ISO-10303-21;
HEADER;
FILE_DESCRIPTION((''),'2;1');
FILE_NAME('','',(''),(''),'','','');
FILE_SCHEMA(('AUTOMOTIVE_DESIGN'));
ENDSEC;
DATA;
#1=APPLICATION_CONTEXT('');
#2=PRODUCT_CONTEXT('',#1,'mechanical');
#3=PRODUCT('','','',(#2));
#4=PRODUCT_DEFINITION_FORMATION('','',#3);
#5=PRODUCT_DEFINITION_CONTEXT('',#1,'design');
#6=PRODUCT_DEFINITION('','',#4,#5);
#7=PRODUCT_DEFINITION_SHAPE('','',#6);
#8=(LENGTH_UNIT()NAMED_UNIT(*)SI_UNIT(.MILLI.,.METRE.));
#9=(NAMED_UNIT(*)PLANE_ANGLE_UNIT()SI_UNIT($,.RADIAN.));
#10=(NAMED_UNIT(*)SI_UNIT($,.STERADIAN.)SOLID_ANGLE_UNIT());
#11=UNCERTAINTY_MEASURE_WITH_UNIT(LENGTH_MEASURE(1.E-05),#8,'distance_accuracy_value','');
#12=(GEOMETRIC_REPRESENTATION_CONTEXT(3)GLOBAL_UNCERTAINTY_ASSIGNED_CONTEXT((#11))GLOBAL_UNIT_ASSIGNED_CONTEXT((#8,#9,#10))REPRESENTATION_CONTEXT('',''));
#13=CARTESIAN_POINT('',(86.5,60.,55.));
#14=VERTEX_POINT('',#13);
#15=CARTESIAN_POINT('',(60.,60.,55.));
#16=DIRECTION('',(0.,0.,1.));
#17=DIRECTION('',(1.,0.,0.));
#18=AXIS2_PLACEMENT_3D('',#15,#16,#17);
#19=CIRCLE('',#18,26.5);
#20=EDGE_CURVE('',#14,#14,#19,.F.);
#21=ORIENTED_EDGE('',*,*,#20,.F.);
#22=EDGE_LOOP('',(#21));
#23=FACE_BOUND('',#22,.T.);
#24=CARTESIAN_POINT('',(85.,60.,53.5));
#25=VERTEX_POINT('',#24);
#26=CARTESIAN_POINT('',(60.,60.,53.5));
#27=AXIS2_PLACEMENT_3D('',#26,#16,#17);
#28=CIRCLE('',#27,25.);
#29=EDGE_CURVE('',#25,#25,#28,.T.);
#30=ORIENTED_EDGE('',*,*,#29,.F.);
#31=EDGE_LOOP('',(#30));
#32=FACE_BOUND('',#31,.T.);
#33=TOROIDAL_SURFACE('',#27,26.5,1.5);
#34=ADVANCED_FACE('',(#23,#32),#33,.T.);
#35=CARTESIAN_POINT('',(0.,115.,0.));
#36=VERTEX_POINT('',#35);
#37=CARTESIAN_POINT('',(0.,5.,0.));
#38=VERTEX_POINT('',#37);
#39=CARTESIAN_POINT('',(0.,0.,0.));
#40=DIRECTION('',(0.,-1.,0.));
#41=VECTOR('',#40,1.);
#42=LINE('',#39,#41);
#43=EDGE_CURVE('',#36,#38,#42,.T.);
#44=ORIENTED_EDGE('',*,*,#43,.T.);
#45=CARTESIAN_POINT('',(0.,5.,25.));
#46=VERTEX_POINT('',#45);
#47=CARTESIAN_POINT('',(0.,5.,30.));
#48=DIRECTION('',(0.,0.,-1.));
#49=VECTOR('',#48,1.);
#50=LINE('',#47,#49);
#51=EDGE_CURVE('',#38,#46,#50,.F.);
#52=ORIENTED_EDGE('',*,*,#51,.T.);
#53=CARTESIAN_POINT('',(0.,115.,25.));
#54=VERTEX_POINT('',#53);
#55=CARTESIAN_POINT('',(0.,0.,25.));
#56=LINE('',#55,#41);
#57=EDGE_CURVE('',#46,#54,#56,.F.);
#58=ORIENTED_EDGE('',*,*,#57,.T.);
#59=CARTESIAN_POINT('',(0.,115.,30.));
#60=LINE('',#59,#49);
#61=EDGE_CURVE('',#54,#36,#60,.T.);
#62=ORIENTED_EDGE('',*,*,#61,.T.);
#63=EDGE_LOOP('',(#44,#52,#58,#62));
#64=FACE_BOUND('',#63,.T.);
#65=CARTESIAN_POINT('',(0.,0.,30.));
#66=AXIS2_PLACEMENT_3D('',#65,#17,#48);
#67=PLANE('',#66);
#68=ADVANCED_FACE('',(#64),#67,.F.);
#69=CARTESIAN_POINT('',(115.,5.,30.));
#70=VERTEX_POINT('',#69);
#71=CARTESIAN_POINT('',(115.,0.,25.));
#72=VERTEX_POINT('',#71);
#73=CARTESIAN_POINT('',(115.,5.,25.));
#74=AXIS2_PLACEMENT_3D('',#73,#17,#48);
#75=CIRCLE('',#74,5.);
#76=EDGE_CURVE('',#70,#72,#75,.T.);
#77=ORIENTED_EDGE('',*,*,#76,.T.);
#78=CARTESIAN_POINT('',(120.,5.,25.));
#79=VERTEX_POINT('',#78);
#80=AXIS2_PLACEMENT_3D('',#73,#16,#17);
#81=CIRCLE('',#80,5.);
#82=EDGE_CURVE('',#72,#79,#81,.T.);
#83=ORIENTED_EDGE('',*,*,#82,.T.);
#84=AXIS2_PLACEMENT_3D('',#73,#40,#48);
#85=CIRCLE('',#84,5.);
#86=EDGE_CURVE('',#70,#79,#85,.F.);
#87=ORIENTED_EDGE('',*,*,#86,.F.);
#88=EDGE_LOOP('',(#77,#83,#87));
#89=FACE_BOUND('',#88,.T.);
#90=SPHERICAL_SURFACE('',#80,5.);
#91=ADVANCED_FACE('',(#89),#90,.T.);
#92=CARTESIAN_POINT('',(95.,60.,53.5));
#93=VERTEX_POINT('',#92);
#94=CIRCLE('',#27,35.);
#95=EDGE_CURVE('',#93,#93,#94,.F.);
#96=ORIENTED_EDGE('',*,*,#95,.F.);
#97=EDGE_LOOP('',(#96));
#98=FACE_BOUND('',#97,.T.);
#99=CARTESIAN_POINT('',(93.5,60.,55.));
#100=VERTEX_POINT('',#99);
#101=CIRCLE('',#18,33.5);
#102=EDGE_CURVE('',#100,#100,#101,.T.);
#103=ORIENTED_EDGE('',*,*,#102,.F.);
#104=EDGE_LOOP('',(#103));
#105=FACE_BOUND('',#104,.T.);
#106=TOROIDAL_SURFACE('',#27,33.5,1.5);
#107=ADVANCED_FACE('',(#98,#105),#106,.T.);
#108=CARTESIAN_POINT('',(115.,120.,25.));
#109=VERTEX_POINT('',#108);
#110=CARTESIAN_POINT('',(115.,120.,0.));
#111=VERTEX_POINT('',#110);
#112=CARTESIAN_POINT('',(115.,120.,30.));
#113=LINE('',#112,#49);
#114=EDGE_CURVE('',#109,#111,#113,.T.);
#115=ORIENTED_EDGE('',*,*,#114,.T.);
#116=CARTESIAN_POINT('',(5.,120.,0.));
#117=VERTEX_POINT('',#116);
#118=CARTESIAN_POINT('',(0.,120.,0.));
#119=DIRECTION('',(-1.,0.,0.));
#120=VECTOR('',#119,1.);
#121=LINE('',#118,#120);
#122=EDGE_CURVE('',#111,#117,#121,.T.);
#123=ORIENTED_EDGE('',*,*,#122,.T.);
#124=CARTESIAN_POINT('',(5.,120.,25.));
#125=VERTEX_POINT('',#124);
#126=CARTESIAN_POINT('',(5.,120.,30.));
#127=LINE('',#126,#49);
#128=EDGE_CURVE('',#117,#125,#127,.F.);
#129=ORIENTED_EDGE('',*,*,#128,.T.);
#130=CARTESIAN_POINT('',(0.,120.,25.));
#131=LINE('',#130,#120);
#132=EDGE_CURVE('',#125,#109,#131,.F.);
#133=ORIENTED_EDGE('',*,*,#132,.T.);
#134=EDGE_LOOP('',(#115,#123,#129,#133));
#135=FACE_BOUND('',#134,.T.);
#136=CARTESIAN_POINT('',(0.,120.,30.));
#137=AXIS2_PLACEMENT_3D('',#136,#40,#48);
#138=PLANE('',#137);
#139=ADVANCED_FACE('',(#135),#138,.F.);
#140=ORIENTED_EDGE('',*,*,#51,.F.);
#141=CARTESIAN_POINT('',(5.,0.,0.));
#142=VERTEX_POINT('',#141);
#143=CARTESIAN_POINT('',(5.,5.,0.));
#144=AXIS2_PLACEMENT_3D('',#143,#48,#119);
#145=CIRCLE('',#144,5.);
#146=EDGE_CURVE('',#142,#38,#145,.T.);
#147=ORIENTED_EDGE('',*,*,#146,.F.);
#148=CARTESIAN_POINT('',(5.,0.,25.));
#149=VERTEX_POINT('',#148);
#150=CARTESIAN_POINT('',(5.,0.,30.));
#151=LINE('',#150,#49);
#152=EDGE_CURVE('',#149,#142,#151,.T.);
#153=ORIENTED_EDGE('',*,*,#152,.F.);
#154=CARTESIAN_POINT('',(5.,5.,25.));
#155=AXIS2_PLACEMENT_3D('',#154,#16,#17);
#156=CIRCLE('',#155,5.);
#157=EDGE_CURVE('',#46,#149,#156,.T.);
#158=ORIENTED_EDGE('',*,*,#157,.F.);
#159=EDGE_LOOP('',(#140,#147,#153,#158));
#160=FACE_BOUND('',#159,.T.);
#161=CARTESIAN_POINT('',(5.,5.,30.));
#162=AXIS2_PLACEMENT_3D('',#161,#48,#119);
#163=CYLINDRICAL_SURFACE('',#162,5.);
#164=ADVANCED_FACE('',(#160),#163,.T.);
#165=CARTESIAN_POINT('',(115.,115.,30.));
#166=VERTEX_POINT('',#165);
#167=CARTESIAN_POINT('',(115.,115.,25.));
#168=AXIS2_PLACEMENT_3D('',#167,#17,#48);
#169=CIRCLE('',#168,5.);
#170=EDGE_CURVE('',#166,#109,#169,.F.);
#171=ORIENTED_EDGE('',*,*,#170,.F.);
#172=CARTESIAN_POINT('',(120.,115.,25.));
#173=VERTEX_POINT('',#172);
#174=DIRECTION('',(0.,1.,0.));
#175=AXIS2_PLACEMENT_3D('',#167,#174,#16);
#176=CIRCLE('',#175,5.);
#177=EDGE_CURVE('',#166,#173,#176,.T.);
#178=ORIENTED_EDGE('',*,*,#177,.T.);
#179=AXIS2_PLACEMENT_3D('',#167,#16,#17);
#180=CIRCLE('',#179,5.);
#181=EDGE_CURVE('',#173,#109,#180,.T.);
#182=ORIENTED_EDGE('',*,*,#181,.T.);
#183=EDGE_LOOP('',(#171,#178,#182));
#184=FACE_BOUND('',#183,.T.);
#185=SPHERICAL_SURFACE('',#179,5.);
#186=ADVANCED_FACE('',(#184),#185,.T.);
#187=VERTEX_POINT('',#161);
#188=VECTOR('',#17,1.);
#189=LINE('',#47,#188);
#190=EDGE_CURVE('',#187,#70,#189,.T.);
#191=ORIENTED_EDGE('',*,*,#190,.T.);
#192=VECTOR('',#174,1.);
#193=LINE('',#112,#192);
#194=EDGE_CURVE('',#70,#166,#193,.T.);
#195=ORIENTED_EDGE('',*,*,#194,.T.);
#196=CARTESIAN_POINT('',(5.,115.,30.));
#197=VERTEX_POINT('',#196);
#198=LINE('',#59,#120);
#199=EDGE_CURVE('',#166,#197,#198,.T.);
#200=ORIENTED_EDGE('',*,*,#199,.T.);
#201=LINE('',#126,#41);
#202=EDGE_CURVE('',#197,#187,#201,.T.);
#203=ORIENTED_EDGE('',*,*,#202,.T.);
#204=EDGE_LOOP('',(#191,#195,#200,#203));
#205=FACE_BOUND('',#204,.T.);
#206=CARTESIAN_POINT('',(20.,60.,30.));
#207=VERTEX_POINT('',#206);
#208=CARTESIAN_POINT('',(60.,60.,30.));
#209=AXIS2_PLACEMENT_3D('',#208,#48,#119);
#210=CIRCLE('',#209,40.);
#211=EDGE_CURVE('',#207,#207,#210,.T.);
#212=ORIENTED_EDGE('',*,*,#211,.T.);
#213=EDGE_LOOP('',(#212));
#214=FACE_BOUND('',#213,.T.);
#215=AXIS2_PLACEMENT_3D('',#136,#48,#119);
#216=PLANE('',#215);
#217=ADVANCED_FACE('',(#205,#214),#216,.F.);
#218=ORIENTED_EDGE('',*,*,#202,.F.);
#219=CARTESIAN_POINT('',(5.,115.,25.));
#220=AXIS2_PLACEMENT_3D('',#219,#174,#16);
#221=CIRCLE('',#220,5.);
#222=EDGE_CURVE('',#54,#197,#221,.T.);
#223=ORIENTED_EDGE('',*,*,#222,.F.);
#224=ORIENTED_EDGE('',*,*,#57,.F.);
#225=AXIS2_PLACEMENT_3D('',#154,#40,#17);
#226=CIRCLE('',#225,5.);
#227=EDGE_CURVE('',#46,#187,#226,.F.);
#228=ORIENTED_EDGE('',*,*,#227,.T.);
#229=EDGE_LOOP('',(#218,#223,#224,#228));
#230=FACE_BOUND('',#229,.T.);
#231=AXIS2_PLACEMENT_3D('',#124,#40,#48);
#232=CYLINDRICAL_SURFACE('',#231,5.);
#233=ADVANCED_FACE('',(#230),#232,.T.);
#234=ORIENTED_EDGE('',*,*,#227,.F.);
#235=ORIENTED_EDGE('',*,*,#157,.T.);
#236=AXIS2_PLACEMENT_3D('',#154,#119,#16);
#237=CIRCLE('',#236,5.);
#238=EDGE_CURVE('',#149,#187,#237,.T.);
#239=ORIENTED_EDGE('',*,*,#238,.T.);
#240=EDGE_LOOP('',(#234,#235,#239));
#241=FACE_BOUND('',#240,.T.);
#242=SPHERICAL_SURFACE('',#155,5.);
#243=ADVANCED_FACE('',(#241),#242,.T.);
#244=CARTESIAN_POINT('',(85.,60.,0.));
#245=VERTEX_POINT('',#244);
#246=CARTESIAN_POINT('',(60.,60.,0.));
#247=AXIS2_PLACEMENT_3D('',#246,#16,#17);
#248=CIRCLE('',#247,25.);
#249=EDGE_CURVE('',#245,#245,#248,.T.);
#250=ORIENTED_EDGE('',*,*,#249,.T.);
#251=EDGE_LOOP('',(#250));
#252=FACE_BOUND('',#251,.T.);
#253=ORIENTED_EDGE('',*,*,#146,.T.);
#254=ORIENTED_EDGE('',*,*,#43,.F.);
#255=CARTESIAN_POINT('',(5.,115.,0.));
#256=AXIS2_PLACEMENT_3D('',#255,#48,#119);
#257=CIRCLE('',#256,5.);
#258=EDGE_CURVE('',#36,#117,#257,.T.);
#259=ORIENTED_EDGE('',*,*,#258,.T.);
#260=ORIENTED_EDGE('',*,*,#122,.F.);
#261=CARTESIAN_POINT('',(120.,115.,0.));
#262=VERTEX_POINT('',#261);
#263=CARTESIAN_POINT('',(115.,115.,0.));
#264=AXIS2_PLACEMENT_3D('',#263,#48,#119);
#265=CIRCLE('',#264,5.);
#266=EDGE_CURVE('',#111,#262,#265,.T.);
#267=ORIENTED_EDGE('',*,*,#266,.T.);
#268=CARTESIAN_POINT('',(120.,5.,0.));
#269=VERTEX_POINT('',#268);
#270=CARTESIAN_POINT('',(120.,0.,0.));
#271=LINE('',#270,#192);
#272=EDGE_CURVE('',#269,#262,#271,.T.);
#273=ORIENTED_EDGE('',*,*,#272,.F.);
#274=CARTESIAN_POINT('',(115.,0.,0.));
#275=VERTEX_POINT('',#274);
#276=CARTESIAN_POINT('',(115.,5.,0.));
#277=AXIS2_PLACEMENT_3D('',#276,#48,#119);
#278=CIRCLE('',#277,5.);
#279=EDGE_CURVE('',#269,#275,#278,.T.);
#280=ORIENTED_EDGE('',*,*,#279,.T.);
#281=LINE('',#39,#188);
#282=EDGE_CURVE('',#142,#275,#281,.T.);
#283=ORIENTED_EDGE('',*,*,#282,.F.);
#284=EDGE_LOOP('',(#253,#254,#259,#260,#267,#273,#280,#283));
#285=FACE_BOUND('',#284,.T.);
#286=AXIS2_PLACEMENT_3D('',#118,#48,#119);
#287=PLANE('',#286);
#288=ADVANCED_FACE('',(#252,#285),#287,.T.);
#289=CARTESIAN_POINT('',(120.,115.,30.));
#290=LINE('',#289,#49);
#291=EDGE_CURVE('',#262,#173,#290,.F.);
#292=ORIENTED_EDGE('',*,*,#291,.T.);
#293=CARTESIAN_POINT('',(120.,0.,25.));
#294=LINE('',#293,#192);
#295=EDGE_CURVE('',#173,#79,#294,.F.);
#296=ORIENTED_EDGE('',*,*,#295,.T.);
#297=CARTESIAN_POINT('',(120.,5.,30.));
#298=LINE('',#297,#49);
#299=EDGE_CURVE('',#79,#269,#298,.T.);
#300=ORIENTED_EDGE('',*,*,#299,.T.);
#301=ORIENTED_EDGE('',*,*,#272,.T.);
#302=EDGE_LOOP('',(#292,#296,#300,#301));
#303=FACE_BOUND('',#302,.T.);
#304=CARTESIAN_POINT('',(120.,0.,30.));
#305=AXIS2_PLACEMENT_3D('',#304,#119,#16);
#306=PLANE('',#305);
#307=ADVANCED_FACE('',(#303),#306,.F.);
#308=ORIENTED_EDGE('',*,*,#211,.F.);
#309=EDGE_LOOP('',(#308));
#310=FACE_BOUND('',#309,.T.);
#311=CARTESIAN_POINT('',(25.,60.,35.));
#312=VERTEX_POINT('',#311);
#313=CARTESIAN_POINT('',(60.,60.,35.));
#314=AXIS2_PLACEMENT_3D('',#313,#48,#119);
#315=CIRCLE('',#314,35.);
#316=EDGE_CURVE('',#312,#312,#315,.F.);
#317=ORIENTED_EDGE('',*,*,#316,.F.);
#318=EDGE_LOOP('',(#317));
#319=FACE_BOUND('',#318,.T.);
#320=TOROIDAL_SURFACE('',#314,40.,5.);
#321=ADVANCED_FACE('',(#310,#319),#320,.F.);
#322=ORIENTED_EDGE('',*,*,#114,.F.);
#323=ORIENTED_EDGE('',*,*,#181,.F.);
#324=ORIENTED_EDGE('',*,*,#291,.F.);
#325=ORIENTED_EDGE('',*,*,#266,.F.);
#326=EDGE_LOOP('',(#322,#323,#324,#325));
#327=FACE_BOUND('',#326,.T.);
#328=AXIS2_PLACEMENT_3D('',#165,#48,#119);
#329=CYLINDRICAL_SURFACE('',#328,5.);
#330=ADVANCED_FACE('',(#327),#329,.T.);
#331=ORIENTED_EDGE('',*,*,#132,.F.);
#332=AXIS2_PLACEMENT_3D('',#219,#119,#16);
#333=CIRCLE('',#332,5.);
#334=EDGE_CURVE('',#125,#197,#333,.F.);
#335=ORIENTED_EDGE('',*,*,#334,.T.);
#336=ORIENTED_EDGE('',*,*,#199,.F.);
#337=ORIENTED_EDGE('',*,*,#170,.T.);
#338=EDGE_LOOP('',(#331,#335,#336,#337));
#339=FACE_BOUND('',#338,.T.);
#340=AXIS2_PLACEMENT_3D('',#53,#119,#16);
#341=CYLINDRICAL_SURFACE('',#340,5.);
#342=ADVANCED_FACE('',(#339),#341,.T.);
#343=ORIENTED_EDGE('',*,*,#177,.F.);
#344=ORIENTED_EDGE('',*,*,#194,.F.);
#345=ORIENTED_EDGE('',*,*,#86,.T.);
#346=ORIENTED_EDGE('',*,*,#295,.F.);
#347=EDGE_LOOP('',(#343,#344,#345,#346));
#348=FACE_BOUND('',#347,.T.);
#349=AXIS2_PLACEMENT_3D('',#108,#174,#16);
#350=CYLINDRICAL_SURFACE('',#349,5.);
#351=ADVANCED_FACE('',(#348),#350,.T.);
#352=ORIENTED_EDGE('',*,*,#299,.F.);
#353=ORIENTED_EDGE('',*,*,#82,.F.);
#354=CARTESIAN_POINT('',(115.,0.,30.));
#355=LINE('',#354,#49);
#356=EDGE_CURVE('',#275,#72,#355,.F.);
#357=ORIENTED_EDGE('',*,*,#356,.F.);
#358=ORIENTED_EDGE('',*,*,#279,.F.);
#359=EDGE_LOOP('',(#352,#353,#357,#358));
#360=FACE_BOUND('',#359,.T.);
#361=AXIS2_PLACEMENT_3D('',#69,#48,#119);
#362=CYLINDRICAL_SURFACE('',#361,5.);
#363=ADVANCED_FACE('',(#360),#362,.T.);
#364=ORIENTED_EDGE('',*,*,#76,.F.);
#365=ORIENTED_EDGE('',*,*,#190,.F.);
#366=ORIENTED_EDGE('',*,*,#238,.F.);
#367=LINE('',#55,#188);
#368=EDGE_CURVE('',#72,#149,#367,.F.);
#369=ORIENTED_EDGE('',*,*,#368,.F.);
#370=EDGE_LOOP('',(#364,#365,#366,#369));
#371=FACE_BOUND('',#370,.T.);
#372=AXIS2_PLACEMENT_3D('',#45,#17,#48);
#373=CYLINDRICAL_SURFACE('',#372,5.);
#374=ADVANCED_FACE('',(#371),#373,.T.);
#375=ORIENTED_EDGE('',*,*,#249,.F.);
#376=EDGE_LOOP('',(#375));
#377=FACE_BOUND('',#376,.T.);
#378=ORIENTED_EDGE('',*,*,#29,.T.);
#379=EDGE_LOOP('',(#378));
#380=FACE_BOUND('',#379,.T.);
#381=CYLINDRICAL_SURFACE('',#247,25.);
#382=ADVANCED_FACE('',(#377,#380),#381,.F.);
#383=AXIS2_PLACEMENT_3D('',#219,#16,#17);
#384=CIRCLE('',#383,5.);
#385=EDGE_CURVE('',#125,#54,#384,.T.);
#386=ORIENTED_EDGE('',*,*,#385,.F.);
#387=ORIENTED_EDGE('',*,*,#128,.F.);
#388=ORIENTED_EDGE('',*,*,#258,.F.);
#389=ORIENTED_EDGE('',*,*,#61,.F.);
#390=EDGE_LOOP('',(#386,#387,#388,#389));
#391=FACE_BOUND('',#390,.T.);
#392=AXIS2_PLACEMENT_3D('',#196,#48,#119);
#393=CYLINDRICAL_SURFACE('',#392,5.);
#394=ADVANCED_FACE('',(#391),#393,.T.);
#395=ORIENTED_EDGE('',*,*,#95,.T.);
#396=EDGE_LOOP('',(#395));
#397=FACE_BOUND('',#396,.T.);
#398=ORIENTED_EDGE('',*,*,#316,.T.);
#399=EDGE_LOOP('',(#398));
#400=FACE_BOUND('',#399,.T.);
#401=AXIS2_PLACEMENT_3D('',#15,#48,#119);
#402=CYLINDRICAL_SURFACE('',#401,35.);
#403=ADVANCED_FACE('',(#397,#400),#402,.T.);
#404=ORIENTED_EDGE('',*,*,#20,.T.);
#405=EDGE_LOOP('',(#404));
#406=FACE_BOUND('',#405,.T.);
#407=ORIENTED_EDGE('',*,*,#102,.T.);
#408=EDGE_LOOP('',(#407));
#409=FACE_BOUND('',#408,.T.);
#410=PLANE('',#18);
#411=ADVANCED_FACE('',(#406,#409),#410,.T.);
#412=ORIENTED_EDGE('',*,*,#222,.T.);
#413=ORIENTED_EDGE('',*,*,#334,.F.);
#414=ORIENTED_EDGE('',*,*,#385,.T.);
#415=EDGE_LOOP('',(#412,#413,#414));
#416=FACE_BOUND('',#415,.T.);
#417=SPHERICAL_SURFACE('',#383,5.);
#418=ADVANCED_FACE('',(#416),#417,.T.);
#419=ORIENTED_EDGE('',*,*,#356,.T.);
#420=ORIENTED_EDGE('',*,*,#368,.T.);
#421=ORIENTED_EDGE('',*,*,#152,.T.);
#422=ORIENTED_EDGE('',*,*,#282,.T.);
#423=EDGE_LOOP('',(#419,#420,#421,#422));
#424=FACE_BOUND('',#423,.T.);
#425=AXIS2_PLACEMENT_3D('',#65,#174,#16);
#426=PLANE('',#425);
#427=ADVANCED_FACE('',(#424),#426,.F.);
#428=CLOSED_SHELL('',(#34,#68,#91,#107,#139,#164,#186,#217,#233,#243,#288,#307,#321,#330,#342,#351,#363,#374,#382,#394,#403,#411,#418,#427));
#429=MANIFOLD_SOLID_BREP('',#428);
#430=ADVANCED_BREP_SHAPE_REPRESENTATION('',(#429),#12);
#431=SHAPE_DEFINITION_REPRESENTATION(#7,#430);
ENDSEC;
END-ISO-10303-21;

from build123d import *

# Parameters (mm, degrees)
SKETCH2_W           = 120
SKETCH2_H           = 120
BOSS_EXTRUDE1_DEPTH = 30
SKETCH4_R           = 35
BOSS_EXTRUDE2_DEPTH = 25
SKETCH6_R           = 25
CUT_EXTRUDE1_DEPTH  = 179.395627749
FILLET1_R           = 5
FILLET2_R           = 1.5


with BuildPart() as part:
    # Sketch2 → Boss-Extrude1 (new body)
    with BuildSketch(Plane.XY):
        with Locations((60, 60)):
            Rectangle(SKETCH2_W, SKETCH2_H)
    extrude(amount=BOSS_EXTRUDE1_DEPTH)

    # Sketch4 → Boss-Extrude2 (add)
    with BuildSketch(Plane.XY.offset(30)):
        with Locations(Location((60, 60, 0), (0, 0, 180))):
            Circle(SKETCH4_R)
    extrude(amount=BOSS_EXTRUDE2_DEPTH)

    # Sketch6 → Cut-Extrude1 (cut, through all)
    with BuildSketch(Plane.XY.offset(55)):
        with Locations((60, 60)):
            Circle(SKETCH6_R)
    extrude(amount=-CUT_EXTRUDE1_DEPTH, mode=Mode.SUBTRACT)

    # Fillet1
    fillet1_edges = [part.edges().sort_by_distance(p)[0] for p in [
        (120, 60, 30),
        (60, 120, 30),
        (95, 60, 30),
        (0, 60, 30),
        (60, 0, 30),
        (0, 120, 15),
        (120, 120, 15),
        (120, 0, 15),
        (0, 0, 15),
    ]]
    fillet(fillet1_edges, radius=FILLET1_R)

    # Fillet2
    fillet2_edges = [part.edges().sort_by_distance(p)[0] for p in [
        (95, 60, 55),
        (35, 60, 55),
    ]]
    fillet(fillet2_edges, radius=FILLET2_R)


solid = part.part
